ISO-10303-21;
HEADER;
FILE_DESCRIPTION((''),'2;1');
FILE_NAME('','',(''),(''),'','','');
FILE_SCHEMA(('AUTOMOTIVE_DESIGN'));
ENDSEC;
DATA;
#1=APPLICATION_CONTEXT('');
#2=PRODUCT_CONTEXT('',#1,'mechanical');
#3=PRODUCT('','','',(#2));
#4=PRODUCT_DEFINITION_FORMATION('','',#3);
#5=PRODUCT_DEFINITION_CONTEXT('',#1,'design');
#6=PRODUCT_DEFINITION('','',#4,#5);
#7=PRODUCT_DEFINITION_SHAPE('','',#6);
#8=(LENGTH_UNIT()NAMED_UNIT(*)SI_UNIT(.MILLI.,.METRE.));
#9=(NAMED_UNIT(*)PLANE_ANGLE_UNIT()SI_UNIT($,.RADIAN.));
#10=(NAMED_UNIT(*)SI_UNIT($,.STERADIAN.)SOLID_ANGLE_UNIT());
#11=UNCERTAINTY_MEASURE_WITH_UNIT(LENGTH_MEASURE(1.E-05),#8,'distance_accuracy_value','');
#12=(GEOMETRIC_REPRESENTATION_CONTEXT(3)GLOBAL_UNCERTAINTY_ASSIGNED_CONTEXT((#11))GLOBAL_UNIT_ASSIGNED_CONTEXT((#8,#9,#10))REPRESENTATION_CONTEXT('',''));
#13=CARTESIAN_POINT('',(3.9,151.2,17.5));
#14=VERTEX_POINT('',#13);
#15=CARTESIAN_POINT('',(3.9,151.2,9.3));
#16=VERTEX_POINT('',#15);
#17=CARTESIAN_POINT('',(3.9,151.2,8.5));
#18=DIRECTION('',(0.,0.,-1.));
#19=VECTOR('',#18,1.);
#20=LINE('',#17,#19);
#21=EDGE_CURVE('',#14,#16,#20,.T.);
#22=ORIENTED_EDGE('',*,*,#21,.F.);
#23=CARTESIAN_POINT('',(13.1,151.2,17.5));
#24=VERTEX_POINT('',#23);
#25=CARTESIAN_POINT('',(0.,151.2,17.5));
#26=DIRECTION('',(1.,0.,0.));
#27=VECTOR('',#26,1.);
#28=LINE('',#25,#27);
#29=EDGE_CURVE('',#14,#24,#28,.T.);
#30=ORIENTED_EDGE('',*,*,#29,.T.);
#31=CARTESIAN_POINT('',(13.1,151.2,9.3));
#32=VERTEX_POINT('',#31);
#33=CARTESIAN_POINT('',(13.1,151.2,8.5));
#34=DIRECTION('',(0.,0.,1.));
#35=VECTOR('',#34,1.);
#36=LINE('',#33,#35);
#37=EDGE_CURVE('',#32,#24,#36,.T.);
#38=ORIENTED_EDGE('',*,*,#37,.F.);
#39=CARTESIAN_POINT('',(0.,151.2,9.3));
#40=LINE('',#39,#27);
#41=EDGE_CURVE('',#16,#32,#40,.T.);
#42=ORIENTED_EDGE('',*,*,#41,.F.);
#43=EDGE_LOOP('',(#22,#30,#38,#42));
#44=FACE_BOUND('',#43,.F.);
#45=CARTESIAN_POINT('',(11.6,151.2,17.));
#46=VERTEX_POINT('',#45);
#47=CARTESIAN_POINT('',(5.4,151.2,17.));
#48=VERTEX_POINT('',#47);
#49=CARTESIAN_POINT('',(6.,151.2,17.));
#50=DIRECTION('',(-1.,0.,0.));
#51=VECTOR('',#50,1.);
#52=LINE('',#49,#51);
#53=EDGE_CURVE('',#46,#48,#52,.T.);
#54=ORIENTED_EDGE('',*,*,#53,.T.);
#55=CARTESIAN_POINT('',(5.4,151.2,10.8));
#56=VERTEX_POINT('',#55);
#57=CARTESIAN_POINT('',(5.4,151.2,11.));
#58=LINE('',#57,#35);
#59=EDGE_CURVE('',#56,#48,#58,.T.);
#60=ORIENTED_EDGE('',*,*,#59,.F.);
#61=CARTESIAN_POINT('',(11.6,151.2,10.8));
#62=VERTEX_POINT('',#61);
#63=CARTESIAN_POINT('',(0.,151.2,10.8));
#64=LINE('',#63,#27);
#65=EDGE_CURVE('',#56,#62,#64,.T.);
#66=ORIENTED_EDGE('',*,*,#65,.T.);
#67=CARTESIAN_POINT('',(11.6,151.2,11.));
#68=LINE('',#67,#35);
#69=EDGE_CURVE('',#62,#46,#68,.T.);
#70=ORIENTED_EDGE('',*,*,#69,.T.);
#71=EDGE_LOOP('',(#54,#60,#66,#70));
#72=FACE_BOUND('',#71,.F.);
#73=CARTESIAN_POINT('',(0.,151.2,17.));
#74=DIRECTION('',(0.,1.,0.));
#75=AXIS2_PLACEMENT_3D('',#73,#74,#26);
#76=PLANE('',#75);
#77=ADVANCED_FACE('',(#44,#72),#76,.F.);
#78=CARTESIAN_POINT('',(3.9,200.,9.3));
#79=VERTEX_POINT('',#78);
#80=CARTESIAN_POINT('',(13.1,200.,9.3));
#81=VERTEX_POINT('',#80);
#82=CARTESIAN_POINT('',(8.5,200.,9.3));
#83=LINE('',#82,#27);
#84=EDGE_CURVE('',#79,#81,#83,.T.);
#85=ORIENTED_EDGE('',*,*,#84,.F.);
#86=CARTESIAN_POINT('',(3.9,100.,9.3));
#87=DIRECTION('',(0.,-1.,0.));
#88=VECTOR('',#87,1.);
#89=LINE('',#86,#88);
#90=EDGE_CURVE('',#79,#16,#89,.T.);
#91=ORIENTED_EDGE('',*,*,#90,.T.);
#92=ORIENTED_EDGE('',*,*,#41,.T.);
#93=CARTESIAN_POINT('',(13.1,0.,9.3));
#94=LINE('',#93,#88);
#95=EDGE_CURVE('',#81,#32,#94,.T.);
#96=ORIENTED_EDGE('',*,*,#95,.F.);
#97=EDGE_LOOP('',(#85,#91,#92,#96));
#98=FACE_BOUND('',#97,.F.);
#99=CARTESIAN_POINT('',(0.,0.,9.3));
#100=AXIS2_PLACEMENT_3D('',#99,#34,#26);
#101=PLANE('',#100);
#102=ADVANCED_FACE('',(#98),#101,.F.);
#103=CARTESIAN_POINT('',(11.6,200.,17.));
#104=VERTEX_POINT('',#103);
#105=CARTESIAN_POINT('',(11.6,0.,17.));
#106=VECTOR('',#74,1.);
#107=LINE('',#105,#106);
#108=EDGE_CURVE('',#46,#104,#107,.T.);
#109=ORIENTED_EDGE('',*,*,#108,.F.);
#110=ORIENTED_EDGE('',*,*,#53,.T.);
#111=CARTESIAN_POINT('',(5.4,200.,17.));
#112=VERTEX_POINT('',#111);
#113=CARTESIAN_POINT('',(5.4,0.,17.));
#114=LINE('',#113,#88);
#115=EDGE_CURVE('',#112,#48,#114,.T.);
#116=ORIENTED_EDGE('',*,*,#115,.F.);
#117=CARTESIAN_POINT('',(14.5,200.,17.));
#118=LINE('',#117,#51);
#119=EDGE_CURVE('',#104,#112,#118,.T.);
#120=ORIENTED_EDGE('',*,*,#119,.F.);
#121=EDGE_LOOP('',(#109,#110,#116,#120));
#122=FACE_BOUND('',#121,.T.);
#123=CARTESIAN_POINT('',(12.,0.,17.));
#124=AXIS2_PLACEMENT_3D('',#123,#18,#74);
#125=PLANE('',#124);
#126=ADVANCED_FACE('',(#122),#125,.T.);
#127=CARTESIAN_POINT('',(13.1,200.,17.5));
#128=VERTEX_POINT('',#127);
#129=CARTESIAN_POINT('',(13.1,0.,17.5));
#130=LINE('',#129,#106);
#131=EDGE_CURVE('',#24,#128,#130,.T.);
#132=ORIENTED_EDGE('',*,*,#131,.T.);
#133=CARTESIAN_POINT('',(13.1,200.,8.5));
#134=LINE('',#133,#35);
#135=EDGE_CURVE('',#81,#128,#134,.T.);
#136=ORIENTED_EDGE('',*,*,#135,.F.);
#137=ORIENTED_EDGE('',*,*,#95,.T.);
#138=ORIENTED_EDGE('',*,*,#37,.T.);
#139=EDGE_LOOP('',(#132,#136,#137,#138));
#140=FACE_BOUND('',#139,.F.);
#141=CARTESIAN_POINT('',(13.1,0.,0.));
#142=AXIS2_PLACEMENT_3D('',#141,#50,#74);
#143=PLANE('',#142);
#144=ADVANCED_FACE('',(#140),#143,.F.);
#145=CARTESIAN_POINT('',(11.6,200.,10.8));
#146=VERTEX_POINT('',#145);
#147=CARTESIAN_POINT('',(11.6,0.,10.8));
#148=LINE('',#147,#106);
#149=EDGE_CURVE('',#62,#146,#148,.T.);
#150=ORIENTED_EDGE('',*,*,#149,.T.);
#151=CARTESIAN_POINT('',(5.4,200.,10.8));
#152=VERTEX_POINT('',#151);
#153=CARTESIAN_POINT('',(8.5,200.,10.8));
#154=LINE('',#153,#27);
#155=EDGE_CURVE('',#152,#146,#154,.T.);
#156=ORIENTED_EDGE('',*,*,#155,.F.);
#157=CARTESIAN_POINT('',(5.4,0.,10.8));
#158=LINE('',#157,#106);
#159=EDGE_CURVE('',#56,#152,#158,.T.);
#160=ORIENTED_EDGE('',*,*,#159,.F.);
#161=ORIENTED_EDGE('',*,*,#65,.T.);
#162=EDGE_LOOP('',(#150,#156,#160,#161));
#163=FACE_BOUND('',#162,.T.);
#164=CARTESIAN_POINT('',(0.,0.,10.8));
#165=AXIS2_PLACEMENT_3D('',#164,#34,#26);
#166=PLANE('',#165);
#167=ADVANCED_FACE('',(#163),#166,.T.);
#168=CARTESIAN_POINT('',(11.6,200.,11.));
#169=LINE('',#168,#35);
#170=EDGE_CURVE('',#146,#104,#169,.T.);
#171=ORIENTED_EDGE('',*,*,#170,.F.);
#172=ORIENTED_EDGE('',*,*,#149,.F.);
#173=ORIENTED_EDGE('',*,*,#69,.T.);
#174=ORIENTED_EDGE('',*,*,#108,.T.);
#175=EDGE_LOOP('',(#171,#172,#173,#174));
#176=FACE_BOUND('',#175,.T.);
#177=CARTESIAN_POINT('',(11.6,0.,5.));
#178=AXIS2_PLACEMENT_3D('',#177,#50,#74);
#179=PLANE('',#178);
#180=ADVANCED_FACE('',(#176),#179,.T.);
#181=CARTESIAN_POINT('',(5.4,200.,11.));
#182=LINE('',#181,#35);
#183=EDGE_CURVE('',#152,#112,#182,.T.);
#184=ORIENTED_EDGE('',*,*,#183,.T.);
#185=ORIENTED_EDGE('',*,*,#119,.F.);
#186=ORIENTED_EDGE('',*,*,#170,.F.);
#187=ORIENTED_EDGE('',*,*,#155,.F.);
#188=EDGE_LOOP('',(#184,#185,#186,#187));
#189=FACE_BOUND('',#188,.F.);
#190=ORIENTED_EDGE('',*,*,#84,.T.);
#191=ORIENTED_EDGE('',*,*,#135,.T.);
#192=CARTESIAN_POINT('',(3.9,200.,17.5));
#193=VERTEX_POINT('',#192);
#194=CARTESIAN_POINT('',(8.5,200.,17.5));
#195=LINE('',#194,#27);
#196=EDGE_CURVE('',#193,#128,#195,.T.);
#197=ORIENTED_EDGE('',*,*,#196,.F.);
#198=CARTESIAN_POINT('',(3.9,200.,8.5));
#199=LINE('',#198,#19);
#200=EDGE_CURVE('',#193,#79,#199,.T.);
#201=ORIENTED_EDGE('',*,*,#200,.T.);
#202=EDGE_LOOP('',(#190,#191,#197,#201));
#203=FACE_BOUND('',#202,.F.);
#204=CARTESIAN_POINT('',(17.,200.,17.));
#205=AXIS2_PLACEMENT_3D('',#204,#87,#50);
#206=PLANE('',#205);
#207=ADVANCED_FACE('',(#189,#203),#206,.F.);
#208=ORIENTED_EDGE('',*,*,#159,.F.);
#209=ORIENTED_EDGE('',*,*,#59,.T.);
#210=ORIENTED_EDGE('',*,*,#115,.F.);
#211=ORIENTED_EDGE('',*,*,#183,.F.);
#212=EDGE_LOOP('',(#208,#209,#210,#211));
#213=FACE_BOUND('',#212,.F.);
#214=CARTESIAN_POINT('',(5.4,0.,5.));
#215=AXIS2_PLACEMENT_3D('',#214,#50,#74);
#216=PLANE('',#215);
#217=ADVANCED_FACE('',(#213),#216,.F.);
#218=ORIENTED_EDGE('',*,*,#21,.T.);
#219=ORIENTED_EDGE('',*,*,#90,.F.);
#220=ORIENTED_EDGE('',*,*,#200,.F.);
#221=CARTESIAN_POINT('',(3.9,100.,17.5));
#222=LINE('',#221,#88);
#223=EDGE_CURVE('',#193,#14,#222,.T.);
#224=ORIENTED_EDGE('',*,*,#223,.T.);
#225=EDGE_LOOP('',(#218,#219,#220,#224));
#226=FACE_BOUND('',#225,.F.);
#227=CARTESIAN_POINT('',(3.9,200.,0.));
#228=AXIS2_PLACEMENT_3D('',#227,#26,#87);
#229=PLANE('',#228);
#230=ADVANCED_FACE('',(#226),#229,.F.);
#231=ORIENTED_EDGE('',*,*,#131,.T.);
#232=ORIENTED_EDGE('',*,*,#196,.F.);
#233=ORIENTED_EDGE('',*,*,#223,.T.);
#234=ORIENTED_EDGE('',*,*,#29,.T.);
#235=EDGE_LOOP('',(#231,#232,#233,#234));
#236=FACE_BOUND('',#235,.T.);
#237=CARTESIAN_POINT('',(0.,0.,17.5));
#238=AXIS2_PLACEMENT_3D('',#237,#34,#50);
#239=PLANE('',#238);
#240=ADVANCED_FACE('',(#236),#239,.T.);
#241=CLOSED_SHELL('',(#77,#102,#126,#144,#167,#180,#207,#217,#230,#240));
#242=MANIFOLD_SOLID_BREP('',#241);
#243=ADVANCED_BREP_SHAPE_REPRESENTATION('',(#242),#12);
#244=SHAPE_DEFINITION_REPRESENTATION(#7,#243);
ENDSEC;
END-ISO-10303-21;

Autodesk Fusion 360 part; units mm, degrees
sketch "Sketch1" plane through (0, 0, 0) normal (0, 0, 1) x (1, 0, 0)
  line L0 (0, 0) -> (17, 0)
  line L1 (17, 0) -> (17, 200)
  line L2 (17, 200) -> (0, 200)
  line L3 (0, 200) -> (0, 0)
  line L4 (5, 0) -> (5, 200)
  line L5 (12, 0) -> (12, 200)
  dimension "d1" = 17
  dimension "d2" = 200
  dimension "d3" = 200
  dimension "d4" = 7
  dimension "d5" = 200
extrude "Extrude1" add sketch "Sketch1" along normal blind 5
sketch "Sketch2" plane through (0, 0, 5) normal (0, 0, 1) x (-1, 0, 0)
  line L0 (0, -200) -> (0, 0)
  line L1 (0, 0) -> (-17, 0)
  line L2 (-17, 0) -> (-17, -200)
  line L3 (-17, -200) -> (0, -200)
  line L4 (-5, 0) -> (-5, -200)
  line L5 (-12, 0) -> (-12, -200)
  dimension "d8" = 5
  dimension "d9" = 7
  dimension "d10" = 200
  dimension "d11" = 200
extrude "Extrude2" add sketch "Sketch2" along normal blind 12 contours L0 L1 L3 L4 | L1 L2 L3 L5
sketch "Sketch3" plane through (12, 0, 0) normal (-1, 0, 0) x (0, -1, 0)
  line L0 (-200, 5) -> (0, 5)
  line L1 (0, 5) -> (0, 17)
  line L2 (0, 17) -> (-200, 17)
  line L3 (-200, 17) -> (-200, 5)
  line L4 (0, 17) -> (0, 12)
  line L5 (0, 12) -> (-200, 12)
  dimension "d14" = 200
extrude "Extrude3" add sketch "Sketch3" along normal blind 7 contours L1 L2 L3 L4 L5
move_face "OffsetFaces1" offset -0.5 4 faces at (12, 133.3333, 9.6667) (9.6667, 66.6667, 12) (5, 133.3333, 9.6667) (7.3333, 133.3333, 5)
sketch "Sketch4" plane through (0, 0, 17) normal (0, 0, 1) x (-1, 0, 0)
  line L0 (-17, -200) -> (0, -200)
  line L1 (0, -200) -> (0, 0)
  line L2 (0, 0) -> (-17, 0)
  line L3 (-17, 0) -> (-17, -200)
  line L4 (25, 0) -> (25, -200)
  line L5 (-42, 0) -> (-42, -200)
  line L6 (25, -200) -> (-42, -200)
  line L7 (25, 0) -> (-42, 0)
  dimension "d18" = 25
  dimension "d19" = 25
extrude "Extrude4" add sketch "Sketch4" along normal blind 2.5
move_face "OffsetFaces2" offset -3 3 faces at (17, 133.3333, 11.3333) (5.6667, 133.3333, 0) (0, 133.3333, 5.6667)
move_face "MoveFace1" by (0, 0, 3) 4 faces at (9.8333, 66.6667, 12.5) (4.5, 133.3333, 9.8333) (7.1667, 133.3333, 4.5) (12.5, 133.3333, 9.8333)
extrude "Extrude5" cut 1 faces at (6.6667, 133.3333, 3) along direction (0, 0, 1) blind 3
extrude "Extrude6" cut 1 faces at (19.6667, 133.3333, 19.5) along direction (0, 0, -1) blind 1
move_face "OffsetFaces3" offset 0.5 4 faces at (12.5, 133.3333, 12.8333) (7.1667, 133.3333, 7.5) (9.8333, 66.6667, 15.5) (4.5, 133.3333, 12.8333)
move_face "OffsetFaces4" offset 1 4 faces at (5, 133.3333, 12.6667) (7.3333, 133.3333, 8) (12, 133.3333, 12.6667) (7.3333, 66.6667, 15)
move_face "OffsetFaces5" offset -0.5 4 faces at (11, 133.3333, 12.3333) (9.3333, 66.6667, 14) (6, 133.3333, 12.3333) (7.6667, 133.3333, 9)
move_face "OffsetFaces6" offset -0.5 3 faces at (14, 66.6667, 9.6667) (6.6667, 133.3333, 6) (3, 66.6667, 13.3333)
move_face "OffsetFaces7" offset -0.5 3 faces at (13.5, 66.6667, 10) (6.8333, 133.3333, 6.5) (3.5, 66.6667, 13.5)
move_face "OffsetFaces8" offset -0.5 3 faces at (13, 66.6667, 10.3333) (7, 133.3333, 7) (4, 66.6667, 13.6667)
move_face "MoveFace2" by (0, 0, 3) 4 faces at (11.5, 133.3333, 12.5) (7.5, 66.6667, 14.5) (7.5, 133.3333, 8.5) (5.5, 133.3333, 12.5)
move_face "OffsetFaces9" offset -3 1 faces at (7.1667, 133.3333, 7.5)
move_face "OffsetFaces10" offset -0.5 2 faces at (32.1667, 133.3333, 17) (-5.3333, 66.6667, 17)
extrude "Extrude7" add 1 faces at (7.1667, 133.3333, 10.5) along direction (0, 0, -1) blind 0.5
move_face "MoveFace3" by (0, 0, -0.5) 4 faces at (11.5, 66.6667, 13.5) (7.5, 66.6667, 17.5) (5.5, 66.6667, 13.5) (7.5, 133.3333, 11.5)
move_face "OffsetFaces11" offset -4.5 1 faces at (42, 66.6667, 17.8333)
move_face "OffsetFaces12" offset -4.5 1 faces at (-25, 66.6667, 17.8333)
move_face "OffsetFaces13" offset 50 1 faces at (7.1667, 0, 18.1667)
move_face "OffsetFaces14" offset -0.5 4 faces at (11.5, 116.6667, 15) (7.5, 116.6667, 11) (5.5, 116.6667, 15) (9.5, 33.3333, 17)
move_face "OffsetFaces15" offset 0.5 3 faces at (12.5, 33.3333, 12.5) (7.1667, 116.6667, 10) (4.5, 116.6667, 15)
move_face "OffsetFaces16" offset 0.5 1 faces at (10, 33.3333, 9.5)
move_face "MoveFace4" by (0, 0, -0.5) 4 faces at (12, 33.3333, 15.1667) (9.6667, 33.3333, 10.5) (5, 33.3333, 15.1667) (7.3333, 116.6667, 17.5)
move_face "OffsetFaces17" offset 0.5 4 faces at (12, 33.3333, 14.6667) (7.3333, 116.6667, 17) (5, 33.3333, 14.6667) (9.6667, 33.3333, 10)
move_face "MoveFace5" by (0, 0, 0.5) 4 faces at (5.5, 116.6667, 14.5) (7.5, 116.6667, 10.5) (11.5, 116.6667, 14.5) (9.5, 33.3333, 16.5)
move_face "OffsetFaces18" offset -0.5 1 faces at (10, 33.3333, 9)
move_face "OffsetFaces19" offset -0.02 1 faces at (7.5, 116.6667, 11)
move_face "OffsetFaces20" offset -0.2 2 faces at (11.5, 116.6667, 14.9933) (5.5, 116.6667, 14.9933)
move_face "OffsetFaces21" offset -0.18 2 faces at (9.5667, 33.3333, 17) (7.4333, 116.6667, 10.98)
move_face "OffsetFaces22" offset 0.18 1 faces at (9.5667, 33.3333, 17.18)
move_face "OffsetFaces23" offset 0.1 2 faces at (11.7, 33.3333, 12.8667) (5.3, 33.3333, 12.8667)
move_face "OffsetFaces24" offset 0.1 2 faces at (13, 116.6667, 14.8333) (4, 33.3333, 12.1667)
move_face "OffsetFaces25" offset 0.2 1 faces at (6.9667, 116.6667, 9.5)
move_face "OffsetFaces26" offset -1 1 faces at (18.1667, 116.6667, 18.5)
move_face "OffsetFaces27" offset -202.2 1 faces at (7.4667, -50, 9.8)
move_face "OffsetFaces28" offset 1 1 faces at (7.4667, 152.2, 9.8)
